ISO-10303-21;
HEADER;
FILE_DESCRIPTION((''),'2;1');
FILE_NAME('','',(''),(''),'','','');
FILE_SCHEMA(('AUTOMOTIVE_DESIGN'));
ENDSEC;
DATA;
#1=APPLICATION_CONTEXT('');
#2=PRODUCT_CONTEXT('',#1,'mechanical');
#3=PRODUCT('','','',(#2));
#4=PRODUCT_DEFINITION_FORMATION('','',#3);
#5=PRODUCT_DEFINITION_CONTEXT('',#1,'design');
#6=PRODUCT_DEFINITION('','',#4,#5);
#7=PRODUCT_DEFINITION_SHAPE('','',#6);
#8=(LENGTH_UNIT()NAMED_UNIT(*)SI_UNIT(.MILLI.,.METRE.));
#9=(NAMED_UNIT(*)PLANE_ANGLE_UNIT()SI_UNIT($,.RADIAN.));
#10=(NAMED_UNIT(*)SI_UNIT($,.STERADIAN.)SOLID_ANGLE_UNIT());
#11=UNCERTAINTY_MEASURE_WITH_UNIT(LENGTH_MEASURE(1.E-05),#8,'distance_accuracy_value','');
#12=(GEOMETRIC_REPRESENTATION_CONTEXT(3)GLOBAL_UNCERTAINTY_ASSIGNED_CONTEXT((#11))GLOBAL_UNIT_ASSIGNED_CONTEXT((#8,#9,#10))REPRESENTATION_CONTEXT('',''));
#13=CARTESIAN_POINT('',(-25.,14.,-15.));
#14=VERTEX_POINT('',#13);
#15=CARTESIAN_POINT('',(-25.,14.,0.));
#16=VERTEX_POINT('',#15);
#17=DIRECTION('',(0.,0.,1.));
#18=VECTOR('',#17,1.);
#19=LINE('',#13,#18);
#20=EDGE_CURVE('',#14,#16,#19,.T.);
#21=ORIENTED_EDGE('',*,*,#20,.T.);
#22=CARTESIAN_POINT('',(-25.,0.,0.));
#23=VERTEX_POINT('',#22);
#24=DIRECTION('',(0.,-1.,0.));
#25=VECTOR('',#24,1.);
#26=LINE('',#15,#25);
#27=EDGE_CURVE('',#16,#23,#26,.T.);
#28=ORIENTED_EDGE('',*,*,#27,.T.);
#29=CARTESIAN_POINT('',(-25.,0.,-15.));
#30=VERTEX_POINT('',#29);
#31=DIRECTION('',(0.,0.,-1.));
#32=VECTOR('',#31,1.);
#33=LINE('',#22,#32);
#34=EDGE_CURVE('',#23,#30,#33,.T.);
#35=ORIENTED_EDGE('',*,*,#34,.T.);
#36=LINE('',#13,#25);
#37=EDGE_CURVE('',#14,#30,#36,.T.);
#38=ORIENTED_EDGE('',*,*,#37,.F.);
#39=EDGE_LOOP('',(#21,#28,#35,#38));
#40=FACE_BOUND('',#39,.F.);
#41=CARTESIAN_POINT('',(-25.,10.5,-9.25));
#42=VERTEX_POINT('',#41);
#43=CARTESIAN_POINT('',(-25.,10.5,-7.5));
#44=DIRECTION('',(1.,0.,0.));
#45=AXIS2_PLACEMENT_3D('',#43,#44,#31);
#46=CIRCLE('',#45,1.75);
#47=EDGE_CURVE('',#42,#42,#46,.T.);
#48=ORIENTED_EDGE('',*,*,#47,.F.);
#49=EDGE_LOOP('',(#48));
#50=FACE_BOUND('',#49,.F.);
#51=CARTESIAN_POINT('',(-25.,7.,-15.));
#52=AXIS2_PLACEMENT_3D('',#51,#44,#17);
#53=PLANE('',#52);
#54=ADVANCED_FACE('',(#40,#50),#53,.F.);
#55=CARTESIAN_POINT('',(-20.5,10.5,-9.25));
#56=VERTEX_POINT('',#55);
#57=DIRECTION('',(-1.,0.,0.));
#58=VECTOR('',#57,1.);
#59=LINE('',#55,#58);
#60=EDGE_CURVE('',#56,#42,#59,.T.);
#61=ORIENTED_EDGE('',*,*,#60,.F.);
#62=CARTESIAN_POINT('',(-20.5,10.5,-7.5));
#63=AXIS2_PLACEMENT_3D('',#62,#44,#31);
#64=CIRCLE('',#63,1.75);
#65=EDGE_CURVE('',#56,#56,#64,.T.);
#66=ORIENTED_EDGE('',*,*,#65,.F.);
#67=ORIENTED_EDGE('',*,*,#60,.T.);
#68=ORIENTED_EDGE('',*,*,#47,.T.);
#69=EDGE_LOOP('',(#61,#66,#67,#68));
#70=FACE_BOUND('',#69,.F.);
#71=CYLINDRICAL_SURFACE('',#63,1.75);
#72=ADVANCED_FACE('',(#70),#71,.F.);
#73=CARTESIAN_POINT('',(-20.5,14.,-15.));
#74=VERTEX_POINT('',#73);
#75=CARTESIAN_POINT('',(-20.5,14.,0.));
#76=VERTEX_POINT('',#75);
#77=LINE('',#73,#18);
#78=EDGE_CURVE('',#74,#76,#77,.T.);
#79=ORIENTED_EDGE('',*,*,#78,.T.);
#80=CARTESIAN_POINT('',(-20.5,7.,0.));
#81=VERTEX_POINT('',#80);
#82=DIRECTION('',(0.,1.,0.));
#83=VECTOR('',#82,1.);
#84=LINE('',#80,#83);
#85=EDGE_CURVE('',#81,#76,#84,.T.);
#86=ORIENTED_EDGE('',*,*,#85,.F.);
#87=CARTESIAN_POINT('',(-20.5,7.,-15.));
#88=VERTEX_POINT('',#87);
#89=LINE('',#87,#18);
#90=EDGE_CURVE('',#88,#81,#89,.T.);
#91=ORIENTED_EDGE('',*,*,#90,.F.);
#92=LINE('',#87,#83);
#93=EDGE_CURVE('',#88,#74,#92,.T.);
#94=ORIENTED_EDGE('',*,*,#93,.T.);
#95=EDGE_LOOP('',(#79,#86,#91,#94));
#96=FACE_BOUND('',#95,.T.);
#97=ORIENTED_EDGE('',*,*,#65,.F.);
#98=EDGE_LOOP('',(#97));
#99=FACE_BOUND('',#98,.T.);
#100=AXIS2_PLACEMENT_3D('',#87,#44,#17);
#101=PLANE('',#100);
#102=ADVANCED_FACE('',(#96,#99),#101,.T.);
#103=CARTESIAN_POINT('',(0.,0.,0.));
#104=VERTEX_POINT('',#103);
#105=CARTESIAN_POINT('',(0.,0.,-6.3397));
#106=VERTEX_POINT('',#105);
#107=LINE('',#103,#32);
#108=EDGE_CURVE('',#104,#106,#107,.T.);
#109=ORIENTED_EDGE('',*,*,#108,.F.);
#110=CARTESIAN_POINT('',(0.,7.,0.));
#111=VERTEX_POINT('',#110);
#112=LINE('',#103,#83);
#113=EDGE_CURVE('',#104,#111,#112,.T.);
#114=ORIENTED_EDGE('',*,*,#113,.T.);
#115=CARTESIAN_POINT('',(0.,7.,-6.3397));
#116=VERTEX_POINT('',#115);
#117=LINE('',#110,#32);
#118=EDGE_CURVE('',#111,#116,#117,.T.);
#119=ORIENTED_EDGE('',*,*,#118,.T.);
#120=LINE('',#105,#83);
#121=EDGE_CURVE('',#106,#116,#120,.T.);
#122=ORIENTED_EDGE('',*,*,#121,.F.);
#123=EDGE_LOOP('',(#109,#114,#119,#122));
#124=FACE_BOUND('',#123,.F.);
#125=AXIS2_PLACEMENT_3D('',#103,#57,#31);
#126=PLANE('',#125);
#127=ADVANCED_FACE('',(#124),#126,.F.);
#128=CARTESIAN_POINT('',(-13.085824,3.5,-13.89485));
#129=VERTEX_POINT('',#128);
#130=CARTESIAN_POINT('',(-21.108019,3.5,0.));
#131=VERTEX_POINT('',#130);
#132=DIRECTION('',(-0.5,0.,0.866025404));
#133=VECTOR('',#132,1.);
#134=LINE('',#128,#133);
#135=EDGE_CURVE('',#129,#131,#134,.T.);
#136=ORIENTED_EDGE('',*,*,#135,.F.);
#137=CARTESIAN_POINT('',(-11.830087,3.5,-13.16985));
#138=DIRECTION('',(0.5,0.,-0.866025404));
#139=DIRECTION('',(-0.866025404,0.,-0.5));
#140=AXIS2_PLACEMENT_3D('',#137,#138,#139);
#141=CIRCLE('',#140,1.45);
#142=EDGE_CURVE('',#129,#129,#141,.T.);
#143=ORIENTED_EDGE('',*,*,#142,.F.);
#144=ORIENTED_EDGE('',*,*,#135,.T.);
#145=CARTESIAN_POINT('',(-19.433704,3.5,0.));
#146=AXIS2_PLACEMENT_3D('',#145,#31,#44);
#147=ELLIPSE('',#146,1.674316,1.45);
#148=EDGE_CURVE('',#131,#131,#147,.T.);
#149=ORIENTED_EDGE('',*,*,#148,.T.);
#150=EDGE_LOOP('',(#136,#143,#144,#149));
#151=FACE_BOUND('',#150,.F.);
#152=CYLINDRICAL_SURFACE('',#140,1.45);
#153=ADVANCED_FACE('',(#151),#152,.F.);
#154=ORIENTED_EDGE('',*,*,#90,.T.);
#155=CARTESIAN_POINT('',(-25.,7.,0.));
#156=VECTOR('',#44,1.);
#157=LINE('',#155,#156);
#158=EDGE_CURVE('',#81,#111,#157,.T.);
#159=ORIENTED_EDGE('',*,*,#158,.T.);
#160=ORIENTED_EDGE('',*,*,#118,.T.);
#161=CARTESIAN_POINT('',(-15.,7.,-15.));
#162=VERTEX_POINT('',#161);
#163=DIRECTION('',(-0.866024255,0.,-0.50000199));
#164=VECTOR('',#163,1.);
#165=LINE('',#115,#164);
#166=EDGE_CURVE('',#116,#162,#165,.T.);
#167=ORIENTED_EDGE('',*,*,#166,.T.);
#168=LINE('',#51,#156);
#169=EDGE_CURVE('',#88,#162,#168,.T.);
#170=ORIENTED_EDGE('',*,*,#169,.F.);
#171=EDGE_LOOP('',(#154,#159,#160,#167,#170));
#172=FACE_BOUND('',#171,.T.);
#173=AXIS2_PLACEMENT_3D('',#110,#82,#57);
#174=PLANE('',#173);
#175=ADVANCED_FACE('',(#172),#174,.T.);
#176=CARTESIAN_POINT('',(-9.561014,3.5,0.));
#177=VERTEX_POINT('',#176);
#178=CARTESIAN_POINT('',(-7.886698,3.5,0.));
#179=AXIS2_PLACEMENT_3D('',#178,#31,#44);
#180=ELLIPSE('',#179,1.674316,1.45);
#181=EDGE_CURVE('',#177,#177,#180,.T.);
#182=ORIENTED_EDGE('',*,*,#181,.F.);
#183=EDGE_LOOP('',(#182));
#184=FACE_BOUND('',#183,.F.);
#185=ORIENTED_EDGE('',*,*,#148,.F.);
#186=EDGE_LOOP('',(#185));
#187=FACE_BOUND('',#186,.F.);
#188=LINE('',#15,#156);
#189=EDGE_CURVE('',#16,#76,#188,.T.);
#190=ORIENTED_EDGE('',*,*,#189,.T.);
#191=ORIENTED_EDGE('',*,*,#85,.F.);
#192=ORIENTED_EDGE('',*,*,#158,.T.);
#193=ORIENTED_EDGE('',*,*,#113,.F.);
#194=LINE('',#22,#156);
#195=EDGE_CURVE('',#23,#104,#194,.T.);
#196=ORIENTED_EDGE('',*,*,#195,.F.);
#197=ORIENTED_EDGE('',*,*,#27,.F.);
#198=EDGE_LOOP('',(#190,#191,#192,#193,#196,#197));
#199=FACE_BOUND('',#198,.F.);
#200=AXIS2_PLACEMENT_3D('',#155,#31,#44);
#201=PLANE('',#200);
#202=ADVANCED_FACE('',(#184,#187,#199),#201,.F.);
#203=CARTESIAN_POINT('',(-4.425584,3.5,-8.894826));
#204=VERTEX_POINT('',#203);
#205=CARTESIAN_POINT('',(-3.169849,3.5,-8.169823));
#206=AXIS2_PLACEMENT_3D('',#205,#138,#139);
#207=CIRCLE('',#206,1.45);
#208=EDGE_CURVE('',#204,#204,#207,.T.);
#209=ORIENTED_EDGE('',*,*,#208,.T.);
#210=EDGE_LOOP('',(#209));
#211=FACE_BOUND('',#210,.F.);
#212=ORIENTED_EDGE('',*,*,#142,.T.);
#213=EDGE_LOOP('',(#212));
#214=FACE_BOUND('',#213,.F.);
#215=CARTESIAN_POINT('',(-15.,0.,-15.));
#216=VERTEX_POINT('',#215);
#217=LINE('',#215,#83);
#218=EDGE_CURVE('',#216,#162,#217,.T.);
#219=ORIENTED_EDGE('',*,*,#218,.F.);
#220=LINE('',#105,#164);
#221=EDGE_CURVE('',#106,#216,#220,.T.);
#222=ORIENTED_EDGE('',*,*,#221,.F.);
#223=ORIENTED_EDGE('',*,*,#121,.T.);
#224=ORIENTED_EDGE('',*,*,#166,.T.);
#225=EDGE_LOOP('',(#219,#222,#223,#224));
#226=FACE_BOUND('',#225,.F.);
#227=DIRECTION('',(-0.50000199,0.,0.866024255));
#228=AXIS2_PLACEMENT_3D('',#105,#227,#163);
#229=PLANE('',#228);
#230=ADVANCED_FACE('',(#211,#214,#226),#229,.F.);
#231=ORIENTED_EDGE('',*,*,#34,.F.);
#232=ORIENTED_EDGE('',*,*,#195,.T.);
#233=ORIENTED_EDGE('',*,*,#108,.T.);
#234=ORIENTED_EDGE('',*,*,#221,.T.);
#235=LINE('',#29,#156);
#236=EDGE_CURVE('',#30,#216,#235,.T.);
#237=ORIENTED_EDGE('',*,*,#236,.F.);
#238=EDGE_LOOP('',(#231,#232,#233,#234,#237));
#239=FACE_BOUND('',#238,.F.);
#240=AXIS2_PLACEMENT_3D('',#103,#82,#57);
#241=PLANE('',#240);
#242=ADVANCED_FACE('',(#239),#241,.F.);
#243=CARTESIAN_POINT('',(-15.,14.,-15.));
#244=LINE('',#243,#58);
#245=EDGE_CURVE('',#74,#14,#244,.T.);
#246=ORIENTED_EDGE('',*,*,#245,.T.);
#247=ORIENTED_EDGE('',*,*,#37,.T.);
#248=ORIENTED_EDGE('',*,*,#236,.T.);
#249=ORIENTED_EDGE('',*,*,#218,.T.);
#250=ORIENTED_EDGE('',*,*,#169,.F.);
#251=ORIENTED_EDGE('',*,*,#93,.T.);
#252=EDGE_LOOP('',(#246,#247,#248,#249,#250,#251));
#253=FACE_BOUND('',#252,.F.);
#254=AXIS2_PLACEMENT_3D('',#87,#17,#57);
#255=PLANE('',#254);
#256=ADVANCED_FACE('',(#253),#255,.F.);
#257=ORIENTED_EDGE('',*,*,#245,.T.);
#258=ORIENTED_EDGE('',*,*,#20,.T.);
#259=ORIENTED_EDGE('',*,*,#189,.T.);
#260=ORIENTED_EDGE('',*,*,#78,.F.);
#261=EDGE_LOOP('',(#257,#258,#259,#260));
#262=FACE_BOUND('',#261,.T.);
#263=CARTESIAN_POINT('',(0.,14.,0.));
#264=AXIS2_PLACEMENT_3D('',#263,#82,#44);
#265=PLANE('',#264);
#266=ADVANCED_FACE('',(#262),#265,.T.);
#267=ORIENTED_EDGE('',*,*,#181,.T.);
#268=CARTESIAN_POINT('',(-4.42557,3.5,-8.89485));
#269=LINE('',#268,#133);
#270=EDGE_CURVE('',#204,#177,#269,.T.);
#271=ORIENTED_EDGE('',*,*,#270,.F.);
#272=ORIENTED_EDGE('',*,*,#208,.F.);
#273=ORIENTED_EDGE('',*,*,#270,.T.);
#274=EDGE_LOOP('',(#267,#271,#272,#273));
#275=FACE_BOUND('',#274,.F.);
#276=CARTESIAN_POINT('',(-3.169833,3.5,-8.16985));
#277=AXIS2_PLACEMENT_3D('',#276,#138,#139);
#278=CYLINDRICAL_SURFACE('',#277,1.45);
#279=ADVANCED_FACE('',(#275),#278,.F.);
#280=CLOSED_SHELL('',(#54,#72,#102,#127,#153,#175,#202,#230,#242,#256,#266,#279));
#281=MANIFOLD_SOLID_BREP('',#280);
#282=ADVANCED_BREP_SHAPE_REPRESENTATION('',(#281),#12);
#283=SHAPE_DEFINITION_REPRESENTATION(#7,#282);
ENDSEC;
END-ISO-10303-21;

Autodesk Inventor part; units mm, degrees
ref_plane "YZ Plane" through (0, 0, 0) normal (1, 0, 0) x (0, 1, 0)
ref_plane "XZ Plane" through (0, 0, 0) normal (0, 1, 0) x (-1, 0, 0)
ref_plane "XY Plane" through (0, 0, 0) normal (0, 0, 1) x (1, 0, 0)
sketch "Sketch1" plane through (0, 0, 0) normal (0, 1, 0) x (-1, 0, 0)
  line L0 (0, 0) -> (0, -6.3397)
  line L1 (0, -6.3397) -> (15, -15)
  line L2 (25, 0) -> (0, 0)
  line L3 (25, 0) -> (25, -15)
  line L4 (25, -15) -> (15, -15)
  dimension "d1" = 60
  dimension "d25" = 15
  dimension "d26" = 10
  dimension "d27" = 15
extrude "Extrusion1" add sketch "Sketch1" along normal blind 7
sketch "Sketch2" plane through (-15, 0, -15) normal (0.5, 0, -0.866) x (-0.866, 0, -0.5)
  line L0 (-17.3205, 0) -> (0, 0) projected
  line L1 (0, 0) -> (0, 7) projected
  line L2 (-17.3205, 7) -> (0, 7) projected
  line L3 (-17.3205, 0) -> (-17.3205, 7) projected
  circle A0 centre (-3.6603, 3.5) radius 1.45
  circle A1 centre (-13.6603, 3.5) radius 1.45
  point P0 (-20.4904, 0)
  dimension "d5" = 2.9
  dimension "d6" = 10
  dimension "d8" = 7
  dimension "d9" = 3.5
  dimension "d10" = 17.3205
  dimension "d11" = 3.6603
extrude "Extrusion2" cut sketch "Sketch2" against normal through all contours A0 | A1
sketch "Sketch6" plane through (0, 7, 0) normal (0, 1, 0) x (1, 0, 0)
  line L0 (0, 0) -> (0, 6.3397) projected
  line L1 (0, 6.3397) -> (-15, 15) projected
  line L2 (-15, 15) -> (-25, 15) projected
  line L3 (-25, 15) -> (-25, 0) projected
  line L4 (-25, 0) -> (0, 0) projected
  line L5 (0, 6.3397) -> (-15, 15) projected
  line L6 (-25, 0) -> (0, 0) projected
  line L7 (-20.5, 15) -> (-20.5, 0)
  dimension "d34" = 4.5
extrude "Extrusion5" add sketch "Sketch6" along normal blind 7 contours L4 L3 L2 L7
sketch "Sketch8" plane through (-20.5, 7, 0) normal (1, 0, 0) x (0, 0, -1)
  line L0 (15, 0) -> (0, 0) projected
  line L1 (15, 0) -> (15, 7) projected
  line L2 (0, 7) -> (15, 7) projected
  line L3 (0, 0) -> (0, 7) projected
  circle A0 centre (7.5, 3.5) radius 1.75
  point P0 (0, -7)
  point P1 (0, 3.5)
  point P2 (7.5, 0)
  dimension "d35" = 3.5
extrude "Extrusion7" cut sketch "Sketch8" against normal through all contours A0
equation "\"d9\" = 0.5 * d8"
equation "\"d11\" = -0.5 * d6 + 0.5 * d10"
properties part number "LEDBracket" material "ABS Plastic"
